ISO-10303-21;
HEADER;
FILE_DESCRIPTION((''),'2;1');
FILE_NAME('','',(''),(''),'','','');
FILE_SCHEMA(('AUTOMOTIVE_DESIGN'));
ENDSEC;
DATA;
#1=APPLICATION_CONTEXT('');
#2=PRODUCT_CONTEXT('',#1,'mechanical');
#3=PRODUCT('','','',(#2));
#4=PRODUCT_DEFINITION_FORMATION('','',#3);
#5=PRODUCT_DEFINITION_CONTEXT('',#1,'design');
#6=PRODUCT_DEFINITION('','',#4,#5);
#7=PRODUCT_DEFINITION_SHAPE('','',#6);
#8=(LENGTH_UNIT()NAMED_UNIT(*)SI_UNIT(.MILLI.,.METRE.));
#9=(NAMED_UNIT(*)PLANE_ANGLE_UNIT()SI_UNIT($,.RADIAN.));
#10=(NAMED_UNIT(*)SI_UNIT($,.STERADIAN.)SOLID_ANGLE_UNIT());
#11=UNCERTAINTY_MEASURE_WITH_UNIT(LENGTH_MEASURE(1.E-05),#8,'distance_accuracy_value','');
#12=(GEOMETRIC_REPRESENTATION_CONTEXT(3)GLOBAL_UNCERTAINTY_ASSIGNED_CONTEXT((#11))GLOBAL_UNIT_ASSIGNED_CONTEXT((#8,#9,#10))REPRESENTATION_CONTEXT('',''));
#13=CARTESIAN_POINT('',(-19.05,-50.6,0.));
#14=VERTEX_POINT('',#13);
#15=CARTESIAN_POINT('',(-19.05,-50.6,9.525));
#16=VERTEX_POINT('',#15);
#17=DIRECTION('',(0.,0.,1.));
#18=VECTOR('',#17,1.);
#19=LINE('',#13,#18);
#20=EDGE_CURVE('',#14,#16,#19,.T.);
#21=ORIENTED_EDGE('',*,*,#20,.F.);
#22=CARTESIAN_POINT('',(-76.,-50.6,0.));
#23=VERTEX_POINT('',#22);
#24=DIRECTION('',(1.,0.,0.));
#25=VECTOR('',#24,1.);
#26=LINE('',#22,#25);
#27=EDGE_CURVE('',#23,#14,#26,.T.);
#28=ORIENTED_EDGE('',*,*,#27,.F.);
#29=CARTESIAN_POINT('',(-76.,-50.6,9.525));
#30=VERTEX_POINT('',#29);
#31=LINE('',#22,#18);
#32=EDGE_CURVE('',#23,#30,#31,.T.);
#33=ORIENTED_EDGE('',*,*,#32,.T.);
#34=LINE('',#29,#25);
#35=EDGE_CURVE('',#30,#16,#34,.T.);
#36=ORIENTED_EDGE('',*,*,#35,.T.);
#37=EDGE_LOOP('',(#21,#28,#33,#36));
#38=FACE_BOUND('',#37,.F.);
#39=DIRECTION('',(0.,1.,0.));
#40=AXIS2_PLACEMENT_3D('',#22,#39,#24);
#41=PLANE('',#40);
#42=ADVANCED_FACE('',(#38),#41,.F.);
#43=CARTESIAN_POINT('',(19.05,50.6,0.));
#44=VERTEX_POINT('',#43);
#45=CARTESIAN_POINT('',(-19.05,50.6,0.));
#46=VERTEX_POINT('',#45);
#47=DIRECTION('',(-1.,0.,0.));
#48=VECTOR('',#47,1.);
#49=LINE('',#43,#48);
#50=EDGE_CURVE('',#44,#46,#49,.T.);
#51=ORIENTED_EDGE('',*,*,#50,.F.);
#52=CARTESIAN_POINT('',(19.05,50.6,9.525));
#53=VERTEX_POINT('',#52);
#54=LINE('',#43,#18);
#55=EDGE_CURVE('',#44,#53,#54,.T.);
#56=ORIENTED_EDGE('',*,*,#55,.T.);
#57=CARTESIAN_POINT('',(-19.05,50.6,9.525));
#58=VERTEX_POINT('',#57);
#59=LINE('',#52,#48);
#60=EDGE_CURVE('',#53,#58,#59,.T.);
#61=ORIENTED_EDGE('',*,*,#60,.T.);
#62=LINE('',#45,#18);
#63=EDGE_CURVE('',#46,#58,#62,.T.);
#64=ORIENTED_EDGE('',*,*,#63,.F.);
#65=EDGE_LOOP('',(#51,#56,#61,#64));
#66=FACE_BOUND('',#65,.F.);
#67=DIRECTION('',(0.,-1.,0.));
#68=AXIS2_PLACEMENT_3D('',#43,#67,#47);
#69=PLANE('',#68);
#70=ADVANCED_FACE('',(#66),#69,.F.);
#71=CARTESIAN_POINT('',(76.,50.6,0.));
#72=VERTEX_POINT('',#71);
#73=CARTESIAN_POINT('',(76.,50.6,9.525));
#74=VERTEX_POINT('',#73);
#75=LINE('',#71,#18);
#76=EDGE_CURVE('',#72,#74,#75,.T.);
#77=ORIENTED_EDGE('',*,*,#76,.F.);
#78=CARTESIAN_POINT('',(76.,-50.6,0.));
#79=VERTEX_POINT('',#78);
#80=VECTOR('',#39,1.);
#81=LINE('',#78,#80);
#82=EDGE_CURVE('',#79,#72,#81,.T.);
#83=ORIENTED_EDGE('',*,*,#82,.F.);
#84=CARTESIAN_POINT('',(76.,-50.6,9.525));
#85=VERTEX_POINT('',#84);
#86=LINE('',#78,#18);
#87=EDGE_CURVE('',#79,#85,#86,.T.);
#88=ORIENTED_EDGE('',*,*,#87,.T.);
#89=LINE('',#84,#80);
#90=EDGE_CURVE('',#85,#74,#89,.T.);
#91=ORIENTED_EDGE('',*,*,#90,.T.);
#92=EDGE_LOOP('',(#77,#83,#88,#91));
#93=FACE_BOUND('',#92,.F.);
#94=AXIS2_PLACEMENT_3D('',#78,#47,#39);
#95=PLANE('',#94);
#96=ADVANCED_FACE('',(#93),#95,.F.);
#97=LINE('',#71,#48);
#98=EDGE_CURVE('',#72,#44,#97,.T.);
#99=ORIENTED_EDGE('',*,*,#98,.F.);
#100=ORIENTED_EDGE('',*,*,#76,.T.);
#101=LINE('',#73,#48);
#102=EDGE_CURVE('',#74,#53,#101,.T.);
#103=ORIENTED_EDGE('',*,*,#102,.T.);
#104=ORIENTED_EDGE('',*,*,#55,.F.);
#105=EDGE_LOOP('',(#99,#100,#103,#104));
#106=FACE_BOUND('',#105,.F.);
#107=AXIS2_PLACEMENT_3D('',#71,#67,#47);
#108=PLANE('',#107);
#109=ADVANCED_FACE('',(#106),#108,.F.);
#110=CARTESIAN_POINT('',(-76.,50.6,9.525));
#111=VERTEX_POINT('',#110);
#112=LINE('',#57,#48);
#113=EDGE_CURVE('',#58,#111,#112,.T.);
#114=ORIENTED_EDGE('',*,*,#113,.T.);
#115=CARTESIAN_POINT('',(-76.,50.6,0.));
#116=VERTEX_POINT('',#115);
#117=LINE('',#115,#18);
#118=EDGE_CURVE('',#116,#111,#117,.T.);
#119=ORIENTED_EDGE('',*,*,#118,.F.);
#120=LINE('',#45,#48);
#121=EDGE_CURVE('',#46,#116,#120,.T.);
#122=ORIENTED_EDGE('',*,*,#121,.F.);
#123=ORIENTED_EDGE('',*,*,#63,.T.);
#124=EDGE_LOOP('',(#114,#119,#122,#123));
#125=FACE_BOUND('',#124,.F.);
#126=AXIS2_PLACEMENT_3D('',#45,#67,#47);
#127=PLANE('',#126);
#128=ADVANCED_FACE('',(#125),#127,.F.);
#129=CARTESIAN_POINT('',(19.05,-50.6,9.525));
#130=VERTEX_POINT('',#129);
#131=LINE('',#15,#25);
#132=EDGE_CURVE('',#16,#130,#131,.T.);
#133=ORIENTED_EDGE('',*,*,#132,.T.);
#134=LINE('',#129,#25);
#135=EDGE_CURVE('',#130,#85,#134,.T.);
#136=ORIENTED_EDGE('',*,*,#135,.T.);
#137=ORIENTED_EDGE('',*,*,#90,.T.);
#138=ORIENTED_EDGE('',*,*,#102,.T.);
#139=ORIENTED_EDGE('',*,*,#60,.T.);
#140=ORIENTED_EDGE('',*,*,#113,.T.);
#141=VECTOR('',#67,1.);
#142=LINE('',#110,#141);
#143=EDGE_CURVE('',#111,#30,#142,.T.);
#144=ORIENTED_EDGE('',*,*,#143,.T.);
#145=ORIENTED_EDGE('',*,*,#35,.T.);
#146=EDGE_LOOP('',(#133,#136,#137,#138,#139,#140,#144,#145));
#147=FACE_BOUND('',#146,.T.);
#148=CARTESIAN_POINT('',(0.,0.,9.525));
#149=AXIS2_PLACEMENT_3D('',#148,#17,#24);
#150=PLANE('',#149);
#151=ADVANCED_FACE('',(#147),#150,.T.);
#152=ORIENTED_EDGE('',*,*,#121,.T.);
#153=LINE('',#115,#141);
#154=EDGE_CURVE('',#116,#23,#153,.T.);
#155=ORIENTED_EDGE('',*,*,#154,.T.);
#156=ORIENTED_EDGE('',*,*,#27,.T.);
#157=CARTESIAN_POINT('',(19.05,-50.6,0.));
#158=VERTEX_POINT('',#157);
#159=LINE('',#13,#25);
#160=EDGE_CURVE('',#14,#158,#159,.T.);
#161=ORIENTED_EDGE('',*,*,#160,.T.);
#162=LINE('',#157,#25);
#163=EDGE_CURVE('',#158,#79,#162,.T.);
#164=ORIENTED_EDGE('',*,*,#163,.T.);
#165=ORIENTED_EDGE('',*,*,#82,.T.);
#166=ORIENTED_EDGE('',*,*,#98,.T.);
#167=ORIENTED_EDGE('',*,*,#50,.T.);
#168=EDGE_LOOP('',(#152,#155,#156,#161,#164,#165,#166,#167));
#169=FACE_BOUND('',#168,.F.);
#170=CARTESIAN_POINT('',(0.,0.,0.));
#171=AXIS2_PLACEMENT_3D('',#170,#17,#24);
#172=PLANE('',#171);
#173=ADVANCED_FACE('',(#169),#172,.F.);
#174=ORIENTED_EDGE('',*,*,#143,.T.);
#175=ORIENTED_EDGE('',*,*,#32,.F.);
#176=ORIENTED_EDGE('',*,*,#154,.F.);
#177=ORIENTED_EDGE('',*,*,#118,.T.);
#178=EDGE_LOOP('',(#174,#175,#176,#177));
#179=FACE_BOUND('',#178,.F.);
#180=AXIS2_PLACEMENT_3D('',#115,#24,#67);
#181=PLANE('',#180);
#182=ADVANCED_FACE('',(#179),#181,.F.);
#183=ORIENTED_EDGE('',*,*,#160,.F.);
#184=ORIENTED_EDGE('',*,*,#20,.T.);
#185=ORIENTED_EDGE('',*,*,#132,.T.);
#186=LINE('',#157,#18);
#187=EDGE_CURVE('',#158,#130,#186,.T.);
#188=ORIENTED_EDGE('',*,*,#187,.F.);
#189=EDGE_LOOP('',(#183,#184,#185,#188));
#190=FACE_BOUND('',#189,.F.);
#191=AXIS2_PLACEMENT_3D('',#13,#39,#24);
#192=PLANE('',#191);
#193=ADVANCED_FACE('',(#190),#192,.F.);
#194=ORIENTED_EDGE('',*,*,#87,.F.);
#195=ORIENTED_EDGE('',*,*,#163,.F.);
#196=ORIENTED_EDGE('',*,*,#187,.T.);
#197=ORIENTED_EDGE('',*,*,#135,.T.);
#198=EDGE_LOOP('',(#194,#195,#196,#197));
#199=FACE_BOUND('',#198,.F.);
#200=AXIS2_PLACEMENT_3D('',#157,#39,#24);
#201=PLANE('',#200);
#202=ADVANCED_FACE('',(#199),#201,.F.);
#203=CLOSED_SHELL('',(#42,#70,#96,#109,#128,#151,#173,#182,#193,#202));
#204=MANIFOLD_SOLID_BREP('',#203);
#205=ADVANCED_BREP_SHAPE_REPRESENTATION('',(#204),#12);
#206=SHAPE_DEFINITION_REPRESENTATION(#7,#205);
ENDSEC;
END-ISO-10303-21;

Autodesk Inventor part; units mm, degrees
ref_plane "YZ Plane" through (0, 0, 0) normal (1, 0, 0) x (0, 1, 0)
ref_plane "XZ Plane" through (0, 0, 0) normal (0, 1, 0) x (-1, 0, 0)
ref_plane "XY Plane" through (0, 0, 0) normal (0, 0, 1) x (1, 0, 0)
ref_plane "Work Plane1" through (0, 0, 0) normal (0, 0, 1) x (1, 0, 0)
sketch "Sketch1" plane through (0, 0, 0) normal (0, 0, 1) x (1, 0, 0)
  line L0 (-63.5, -38.1) -> (-63.5, 38.1) construction
  line L1 (-19.05, -38.1) -> (-63.5, -38.1) construction
  line L2 (19.05, -38.1) -> (-19.05, -38.1) construction
  line L3 (63.5, -38.1) -> (19.05, -38.1) construction
  line L4 (63.5, 38.1) -> (63.5, -38.1) construction
  line L5 (19.05, 38.1) -> (63.5, 38.1) construction
  line L6 (-19.05, 38.1) -> (19.05, 38.1) construction
  line L7 (-63.5, 38.1) -> (-19.05, 38.1) construction
  line L8 (-76, 50.6) -> (-76, -50.6)
  line L9 (-76, -50.6) -> (-19.05, -50.6)
  line L10 (-19.05, -50.6) -> (19.05, -50.6)
  line L11 (19.05, -50.6) -> (76, -50.6)
  line L12 (76, -50.6) -> (76, 50.6)
  line L13 (76, 50.6) -> (19.05, 50.6)
  line L14 (19.05, 50.6) -> (-19.05, 50.6)
  line L15 (-19.05, 50.6) -> (-76, 50.6)
  point P0 (0, 0)
  dimension "d0" = 12.5
extrude "Extrusion1" add sketch "Sketch1" along normal blind 9.525
properties part number "speaker-base-sorbothane" material "Rubber"
